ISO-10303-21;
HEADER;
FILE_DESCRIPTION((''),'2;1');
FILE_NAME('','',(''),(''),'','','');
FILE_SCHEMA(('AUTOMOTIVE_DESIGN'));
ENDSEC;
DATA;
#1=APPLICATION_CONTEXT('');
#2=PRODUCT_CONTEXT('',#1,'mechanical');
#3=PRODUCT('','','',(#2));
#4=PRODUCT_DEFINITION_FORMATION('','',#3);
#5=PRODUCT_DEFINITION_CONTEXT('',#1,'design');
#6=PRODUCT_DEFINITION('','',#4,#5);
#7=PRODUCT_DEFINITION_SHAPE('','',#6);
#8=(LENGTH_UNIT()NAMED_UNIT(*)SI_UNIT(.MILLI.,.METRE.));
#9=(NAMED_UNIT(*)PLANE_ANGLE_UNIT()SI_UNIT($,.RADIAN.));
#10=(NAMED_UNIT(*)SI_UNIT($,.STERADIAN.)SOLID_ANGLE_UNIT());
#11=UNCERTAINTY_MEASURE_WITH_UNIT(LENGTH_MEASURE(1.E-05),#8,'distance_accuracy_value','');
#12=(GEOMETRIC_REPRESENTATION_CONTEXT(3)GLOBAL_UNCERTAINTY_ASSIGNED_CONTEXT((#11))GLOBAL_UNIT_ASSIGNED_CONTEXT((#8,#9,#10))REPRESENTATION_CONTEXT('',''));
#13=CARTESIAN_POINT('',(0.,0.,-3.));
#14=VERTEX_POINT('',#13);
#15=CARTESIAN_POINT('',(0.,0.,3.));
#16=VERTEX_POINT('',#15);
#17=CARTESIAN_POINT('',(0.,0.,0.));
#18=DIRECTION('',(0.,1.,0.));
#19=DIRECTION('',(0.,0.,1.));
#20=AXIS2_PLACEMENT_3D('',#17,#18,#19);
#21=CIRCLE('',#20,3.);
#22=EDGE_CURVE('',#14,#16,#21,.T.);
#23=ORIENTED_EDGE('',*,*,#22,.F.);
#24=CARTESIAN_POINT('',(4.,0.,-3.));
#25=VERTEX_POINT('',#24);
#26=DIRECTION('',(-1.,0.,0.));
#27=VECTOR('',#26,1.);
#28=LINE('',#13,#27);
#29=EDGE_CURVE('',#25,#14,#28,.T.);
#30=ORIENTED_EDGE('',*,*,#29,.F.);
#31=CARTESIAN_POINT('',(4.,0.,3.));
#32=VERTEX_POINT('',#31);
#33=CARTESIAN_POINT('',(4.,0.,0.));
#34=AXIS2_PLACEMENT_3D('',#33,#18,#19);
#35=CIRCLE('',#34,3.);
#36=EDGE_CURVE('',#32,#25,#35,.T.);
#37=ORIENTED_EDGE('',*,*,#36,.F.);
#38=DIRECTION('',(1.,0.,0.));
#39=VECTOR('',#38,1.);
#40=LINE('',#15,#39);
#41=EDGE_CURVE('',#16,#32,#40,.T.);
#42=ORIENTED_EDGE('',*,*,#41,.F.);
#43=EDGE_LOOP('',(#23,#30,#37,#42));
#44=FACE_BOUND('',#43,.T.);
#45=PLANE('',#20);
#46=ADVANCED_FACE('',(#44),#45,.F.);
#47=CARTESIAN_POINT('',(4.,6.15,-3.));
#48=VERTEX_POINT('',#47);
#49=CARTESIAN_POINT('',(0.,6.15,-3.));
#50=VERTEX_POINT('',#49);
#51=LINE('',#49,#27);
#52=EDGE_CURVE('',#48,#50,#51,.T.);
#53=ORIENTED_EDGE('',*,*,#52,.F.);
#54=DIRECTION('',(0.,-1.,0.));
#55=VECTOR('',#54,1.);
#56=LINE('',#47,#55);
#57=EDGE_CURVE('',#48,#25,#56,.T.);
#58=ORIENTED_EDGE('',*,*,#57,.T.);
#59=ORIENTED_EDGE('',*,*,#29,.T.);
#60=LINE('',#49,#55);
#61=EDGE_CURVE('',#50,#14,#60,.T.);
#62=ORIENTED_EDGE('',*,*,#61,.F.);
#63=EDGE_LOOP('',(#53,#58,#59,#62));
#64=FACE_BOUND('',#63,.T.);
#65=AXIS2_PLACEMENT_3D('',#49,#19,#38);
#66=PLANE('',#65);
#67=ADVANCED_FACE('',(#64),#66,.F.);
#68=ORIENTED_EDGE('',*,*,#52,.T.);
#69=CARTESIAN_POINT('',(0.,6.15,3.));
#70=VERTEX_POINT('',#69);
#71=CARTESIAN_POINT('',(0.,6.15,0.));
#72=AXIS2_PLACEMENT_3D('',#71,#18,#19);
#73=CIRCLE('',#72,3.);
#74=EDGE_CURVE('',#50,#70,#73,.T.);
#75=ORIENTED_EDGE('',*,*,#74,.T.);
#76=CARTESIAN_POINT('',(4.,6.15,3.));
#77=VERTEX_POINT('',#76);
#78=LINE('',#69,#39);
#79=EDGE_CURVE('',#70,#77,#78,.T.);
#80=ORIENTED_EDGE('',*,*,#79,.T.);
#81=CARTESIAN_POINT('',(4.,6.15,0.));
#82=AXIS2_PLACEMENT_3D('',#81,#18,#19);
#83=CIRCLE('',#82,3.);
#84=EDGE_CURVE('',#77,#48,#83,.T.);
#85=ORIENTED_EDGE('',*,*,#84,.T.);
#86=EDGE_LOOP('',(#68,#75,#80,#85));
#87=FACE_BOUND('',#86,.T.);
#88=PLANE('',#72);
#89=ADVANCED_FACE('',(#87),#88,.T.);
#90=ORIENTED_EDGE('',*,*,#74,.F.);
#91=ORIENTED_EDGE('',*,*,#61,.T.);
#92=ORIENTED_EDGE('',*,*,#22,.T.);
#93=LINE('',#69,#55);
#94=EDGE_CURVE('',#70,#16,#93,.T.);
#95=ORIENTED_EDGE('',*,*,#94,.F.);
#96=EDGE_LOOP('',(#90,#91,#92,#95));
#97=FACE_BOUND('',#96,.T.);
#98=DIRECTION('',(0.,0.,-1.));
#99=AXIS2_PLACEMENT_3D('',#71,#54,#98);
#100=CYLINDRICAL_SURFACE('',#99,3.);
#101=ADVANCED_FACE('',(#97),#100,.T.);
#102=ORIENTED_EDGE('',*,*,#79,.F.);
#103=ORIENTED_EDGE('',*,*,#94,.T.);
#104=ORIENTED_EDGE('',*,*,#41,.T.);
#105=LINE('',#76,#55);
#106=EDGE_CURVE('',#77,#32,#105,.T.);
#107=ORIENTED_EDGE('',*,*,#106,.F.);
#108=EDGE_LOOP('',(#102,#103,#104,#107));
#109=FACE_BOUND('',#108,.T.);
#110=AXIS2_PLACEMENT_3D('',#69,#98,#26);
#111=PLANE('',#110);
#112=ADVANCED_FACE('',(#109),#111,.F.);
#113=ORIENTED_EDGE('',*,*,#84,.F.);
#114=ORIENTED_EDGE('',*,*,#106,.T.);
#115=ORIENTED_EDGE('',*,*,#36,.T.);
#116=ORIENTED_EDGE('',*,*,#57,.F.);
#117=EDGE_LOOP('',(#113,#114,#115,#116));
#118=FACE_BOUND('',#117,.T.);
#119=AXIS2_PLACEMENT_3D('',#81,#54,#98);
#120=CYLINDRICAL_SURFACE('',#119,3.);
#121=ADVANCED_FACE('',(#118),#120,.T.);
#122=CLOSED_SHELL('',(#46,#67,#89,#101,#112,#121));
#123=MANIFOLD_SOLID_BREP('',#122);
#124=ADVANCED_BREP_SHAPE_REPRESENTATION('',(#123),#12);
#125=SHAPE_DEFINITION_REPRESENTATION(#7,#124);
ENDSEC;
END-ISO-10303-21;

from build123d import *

# Parameters (mm, degrees)
BOSS_EXTRUDE1_DEPTH = 6.15


with BuildPart() as part:
    # Sketch1 → Boss-Extrude1 (new body)
    with BuildSketch(Plane(origin=(0, 0, 0), x_dir=(1, 0, 0), z_dir=(0, 1, 0))):
        with BuildLine():
            Line((0, 3), (4, 3))
            ThreePointArc((4, 3), (7, 0), (4, -3))
            Line((4, -3), (0, -3))
            ThreePointArc((0, -3), (-3, 0), (0, 3))
        make_face()
    extrude(amount=BOSS_EXTRUDE1_DEPTH)


solid = part.part
